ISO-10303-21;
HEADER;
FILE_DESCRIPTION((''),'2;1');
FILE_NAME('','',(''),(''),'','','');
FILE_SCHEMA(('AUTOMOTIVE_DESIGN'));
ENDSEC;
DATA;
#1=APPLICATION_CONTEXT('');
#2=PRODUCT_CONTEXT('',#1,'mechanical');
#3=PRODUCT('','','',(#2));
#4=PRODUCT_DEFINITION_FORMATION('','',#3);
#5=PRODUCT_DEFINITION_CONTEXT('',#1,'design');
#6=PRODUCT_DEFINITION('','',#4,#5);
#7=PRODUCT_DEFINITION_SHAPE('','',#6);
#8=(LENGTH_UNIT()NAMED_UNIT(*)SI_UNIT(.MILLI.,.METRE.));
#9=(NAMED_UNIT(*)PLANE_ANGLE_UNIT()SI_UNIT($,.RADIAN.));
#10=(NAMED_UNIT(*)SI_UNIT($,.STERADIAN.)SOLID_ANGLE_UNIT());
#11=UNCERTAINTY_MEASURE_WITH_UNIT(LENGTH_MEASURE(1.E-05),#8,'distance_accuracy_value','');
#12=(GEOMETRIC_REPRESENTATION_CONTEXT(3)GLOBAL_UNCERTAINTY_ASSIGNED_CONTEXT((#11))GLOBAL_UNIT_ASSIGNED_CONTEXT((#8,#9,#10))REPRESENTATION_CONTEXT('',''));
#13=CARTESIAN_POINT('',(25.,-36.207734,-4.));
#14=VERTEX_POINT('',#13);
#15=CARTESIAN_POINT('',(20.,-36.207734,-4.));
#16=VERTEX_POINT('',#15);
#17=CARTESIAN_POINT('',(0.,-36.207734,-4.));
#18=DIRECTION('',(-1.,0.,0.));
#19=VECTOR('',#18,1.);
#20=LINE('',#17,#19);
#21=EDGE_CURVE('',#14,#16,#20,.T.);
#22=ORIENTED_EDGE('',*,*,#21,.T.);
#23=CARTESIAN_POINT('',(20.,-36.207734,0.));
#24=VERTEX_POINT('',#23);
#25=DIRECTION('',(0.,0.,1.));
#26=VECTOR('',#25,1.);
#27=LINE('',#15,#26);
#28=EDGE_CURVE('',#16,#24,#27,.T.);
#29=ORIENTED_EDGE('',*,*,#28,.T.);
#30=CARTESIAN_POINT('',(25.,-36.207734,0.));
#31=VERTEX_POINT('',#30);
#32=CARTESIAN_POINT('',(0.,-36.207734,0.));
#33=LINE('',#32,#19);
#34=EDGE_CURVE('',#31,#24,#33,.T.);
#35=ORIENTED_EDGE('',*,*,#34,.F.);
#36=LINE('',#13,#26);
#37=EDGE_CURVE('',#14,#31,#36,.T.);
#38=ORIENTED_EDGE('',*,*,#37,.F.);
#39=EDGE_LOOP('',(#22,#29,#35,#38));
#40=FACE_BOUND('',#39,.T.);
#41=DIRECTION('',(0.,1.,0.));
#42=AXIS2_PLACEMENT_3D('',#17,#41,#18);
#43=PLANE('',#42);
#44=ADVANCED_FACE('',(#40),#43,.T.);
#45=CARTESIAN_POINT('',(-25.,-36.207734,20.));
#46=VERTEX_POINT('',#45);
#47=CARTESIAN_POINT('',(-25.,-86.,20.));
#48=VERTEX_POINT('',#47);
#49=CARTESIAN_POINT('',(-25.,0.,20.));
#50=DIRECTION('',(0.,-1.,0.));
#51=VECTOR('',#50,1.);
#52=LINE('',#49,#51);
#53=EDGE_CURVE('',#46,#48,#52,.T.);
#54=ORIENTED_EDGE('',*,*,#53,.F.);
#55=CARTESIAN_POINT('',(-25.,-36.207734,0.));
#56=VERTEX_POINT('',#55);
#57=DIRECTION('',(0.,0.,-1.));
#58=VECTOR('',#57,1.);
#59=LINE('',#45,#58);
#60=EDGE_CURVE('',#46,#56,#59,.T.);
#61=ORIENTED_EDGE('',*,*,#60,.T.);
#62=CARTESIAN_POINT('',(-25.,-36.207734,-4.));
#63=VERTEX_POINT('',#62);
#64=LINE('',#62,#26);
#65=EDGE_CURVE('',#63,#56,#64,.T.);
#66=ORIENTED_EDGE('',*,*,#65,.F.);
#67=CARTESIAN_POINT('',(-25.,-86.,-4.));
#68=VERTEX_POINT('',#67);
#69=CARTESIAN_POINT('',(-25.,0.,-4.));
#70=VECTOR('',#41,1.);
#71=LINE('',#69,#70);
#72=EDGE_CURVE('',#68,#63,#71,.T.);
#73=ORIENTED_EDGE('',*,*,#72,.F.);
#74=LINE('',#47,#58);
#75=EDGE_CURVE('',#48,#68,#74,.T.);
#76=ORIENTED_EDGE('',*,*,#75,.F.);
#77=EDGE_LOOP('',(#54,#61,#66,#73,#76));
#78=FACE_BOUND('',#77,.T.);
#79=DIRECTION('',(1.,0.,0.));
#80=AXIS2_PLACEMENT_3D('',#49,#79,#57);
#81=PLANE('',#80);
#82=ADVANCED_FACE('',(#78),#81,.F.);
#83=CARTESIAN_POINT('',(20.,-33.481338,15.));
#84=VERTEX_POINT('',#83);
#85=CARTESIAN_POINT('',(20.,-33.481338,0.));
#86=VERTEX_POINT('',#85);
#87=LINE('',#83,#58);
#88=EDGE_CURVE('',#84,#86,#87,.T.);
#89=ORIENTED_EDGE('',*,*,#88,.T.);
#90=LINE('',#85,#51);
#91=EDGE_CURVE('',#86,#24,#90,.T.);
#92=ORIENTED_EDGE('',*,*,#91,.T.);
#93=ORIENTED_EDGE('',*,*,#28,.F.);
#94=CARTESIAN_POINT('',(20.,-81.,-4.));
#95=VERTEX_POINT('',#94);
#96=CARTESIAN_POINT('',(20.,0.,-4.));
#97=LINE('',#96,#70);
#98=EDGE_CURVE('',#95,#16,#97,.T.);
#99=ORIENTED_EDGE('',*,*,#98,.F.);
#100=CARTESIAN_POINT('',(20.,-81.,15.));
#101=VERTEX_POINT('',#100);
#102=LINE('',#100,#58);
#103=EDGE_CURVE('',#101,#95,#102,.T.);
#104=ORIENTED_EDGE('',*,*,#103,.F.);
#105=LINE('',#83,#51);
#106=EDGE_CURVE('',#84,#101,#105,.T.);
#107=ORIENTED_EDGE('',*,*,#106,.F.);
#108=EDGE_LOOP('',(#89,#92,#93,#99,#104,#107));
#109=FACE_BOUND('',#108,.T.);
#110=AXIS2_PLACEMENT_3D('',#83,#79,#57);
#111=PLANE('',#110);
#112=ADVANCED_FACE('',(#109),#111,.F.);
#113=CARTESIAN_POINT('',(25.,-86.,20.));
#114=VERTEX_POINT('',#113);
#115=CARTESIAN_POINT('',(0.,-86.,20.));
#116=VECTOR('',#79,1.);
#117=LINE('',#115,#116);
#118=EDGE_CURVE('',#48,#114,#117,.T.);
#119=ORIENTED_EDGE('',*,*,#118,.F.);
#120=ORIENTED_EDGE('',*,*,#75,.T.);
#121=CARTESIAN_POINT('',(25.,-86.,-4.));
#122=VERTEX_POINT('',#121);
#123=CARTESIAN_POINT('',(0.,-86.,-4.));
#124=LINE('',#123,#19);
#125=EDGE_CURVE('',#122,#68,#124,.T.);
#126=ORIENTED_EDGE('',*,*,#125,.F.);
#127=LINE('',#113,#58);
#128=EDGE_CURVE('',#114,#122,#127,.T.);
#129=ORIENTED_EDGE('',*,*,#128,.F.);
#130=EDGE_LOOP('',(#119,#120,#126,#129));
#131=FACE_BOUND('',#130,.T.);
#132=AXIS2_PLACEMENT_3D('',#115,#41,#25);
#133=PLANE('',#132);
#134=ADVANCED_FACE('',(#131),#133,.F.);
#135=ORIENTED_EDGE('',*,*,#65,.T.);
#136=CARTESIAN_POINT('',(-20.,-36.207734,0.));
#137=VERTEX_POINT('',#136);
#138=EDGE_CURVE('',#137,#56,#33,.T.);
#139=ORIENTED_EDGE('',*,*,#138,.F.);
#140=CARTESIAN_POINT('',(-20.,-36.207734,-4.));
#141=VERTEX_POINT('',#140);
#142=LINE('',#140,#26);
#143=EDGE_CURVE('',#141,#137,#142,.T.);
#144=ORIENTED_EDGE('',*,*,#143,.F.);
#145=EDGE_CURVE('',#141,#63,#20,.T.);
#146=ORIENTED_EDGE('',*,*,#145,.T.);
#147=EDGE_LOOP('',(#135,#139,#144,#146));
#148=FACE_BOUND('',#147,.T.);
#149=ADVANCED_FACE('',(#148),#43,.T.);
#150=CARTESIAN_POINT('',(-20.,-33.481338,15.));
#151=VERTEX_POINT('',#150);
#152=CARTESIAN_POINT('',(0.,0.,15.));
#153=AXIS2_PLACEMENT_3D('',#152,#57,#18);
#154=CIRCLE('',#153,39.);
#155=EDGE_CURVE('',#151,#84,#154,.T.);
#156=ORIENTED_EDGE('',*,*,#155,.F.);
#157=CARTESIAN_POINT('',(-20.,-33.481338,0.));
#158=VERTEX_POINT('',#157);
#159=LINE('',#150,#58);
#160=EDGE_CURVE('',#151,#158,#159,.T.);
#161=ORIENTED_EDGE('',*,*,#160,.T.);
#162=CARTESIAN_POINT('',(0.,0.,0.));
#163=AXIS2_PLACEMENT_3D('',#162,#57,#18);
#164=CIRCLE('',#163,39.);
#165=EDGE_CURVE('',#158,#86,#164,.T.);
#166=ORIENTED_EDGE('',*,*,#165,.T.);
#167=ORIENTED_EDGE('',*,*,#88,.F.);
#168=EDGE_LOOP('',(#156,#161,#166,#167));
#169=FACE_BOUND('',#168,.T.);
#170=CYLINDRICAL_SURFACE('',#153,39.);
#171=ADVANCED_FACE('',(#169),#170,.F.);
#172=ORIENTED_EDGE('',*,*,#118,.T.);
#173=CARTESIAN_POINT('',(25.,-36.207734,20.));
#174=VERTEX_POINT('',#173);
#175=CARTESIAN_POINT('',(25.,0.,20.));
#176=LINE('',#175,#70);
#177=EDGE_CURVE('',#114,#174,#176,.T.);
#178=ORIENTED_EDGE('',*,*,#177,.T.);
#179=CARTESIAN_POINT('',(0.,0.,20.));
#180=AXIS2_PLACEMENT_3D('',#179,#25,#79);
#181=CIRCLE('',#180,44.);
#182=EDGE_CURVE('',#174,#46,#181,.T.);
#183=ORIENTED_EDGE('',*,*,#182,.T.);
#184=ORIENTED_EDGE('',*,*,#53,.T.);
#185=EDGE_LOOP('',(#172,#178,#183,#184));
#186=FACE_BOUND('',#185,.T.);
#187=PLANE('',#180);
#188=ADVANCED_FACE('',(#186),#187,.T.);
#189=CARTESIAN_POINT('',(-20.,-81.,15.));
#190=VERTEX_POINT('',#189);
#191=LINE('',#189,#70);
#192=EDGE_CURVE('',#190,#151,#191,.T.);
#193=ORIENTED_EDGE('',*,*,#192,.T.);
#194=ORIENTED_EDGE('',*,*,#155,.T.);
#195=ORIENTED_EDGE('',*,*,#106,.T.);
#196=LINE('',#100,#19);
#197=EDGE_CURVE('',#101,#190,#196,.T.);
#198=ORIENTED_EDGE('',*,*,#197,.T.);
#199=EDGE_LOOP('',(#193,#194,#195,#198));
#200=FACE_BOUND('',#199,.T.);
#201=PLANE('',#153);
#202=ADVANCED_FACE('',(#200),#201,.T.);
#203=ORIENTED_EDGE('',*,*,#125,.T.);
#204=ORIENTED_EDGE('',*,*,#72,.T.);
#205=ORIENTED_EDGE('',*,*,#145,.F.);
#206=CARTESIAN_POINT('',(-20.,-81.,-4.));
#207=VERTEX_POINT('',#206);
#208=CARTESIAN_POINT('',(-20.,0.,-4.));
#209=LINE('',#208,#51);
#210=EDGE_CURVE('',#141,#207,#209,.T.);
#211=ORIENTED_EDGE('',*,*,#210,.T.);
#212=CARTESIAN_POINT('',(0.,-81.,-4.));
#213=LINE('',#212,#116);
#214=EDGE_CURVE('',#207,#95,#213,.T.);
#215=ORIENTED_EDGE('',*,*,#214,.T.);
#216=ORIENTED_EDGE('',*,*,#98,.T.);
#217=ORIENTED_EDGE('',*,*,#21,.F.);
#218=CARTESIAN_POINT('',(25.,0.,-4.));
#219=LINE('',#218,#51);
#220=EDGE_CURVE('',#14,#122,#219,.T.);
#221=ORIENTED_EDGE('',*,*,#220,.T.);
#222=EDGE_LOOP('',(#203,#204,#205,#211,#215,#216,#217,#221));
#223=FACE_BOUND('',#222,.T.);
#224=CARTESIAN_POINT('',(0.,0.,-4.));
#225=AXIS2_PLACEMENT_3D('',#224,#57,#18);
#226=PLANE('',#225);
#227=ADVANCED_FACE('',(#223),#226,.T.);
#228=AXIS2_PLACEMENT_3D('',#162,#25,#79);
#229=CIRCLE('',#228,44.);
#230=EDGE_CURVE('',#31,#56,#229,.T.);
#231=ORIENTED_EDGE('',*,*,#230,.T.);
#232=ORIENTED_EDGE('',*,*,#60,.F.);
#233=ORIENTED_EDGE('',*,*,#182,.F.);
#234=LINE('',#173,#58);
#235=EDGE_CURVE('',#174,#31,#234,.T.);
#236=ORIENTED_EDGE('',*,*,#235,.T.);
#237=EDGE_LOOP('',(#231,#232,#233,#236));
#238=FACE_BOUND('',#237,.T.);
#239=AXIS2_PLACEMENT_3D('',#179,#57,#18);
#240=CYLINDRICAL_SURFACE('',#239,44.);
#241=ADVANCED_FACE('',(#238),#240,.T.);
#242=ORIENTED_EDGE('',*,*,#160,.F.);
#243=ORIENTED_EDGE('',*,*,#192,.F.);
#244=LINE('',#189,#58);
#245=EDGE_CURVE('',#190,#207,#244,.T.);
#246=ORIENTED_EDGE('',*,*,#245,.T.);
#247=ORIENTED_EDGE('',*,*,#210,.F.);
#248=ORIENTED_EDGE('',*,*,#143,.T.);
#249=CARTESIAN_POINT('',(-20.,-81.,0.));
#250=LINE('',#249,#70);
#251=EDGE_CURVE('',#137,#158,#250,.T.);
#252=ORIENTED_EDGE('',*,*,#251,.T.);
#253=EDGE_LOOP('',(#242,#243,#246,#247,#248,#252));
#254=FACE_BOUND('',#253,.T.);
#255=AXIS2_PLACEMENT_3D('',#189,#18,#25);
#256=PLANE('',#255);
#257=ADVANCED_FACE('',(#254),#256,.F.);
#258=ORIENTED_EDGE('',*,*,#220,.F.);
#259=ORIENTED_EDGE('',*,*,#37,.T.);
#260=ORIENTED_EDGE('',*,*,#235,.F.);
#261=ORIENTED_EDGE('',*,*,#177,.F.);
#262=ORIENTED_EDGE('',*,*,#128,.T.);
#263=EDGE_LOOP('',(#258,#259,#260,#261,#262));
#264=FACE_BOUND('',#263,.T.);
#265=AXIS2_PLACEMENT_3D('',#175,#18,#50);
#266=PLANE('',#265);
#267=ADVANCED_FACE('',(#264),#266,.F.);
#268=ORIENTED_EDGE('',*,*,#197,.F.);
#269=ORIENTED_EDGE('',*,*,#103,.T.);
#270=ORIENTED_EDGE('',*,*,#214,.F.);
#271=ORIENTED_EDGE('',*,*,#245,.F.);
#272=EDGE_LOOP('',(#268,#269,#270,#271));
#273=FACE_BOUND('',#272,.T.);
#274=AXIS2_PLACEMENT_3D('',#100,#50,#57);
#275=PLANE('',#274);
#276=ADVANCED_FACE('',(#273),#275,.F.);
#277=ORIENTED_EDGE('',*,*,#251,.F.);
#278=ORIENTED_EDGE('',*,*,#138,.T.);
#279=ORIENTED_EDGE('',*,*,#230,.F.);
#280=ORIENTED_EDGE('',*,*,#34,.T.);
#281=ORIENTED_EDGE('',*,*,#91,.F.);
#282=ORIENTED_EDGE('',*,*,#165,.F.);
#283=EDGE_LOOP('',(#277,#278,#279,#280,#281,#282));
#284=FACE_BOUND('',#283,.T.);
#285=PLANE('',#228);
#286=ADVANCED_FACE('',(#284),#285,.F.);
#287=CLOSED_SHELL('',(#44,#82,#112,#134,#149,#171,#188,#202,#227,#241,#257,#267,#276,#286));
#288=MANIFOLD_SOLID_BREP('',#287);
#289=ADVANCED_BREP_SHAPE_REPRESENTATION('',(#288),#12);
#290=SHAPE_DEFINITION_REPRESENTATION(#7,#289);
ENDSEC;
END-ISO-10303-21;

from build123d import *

# Parameters (mm, degrees)
BOSS_EXTRUDE1_DEPTH = 20
CUT_EXTRUDE1_DEPTH  = 15
BOSS_EXTRUDE2_DEPTH = 4


with BuildPart() as part:
    # Sketch2 → Boss-Extrude1 (new body)
    with BuildSketch(Plane.XY):
        with BuildLine():
            ThreePointArc((44, 0), (-20.4450483, 38.961519478), (-25, -36.20773398))
            ThreePointArc((-25, -36.20773398), (0, -44), (25, -36.20773398))
            ThreePointArc((25, -36.20773398), (38.961519478, -20.4450483), (44, 0))
        make_face()
        with BuildLine():
            ThreePointArc((-25, -36.20773398), (0, -44), (25, -36.20773398))
            Line((25, -36.20773398), (25, -86))
            Line((25, -86), (-25, -86))
            Line((-25, -86), (-25, -36.20773398))
        make_face()
    extrude(amount=BOSS_EXTRUDE1_DEPTH)

    # Sketch3 → Cut-Extrude1 (cut)
    with BuildSketch(Plane(origin=(0, 0, 0), x_dir=(-1, 0, 0), z_dir=(0, 0, -1))):
        with BuildLine():
            Line((-20, -33.481338086), (-20, -81))
            Line((-20, -81), (20, -81))
            Line((20, -81), (20, -33.481338086))
            ThreePointArc((20, -33.481338086), (0, 39), (-20, -33.481338086))
        make_face()
    extrude(amount=-CUT_EXTRUDE1_DEPTH, mode=Mode.SUBTRACT)

    # Sketch4 → Boss-Extrude2 (add)
    with BuildSketch(Plane(origin=(0, 0, 0), x_dir=(-1, 0, 0), z_dir=(0, 0, -1))):
        Polygon((-20, -36.20773398), (-25, -36.20773398), (-25, -86), (25, -86), (25, -36.20773398), (20, -36.20773398), (20, -81), (-20, -81), align=None)
    extrude(amount=BOSS_EXTRUDE2_DEPTH)


solid = part.part
